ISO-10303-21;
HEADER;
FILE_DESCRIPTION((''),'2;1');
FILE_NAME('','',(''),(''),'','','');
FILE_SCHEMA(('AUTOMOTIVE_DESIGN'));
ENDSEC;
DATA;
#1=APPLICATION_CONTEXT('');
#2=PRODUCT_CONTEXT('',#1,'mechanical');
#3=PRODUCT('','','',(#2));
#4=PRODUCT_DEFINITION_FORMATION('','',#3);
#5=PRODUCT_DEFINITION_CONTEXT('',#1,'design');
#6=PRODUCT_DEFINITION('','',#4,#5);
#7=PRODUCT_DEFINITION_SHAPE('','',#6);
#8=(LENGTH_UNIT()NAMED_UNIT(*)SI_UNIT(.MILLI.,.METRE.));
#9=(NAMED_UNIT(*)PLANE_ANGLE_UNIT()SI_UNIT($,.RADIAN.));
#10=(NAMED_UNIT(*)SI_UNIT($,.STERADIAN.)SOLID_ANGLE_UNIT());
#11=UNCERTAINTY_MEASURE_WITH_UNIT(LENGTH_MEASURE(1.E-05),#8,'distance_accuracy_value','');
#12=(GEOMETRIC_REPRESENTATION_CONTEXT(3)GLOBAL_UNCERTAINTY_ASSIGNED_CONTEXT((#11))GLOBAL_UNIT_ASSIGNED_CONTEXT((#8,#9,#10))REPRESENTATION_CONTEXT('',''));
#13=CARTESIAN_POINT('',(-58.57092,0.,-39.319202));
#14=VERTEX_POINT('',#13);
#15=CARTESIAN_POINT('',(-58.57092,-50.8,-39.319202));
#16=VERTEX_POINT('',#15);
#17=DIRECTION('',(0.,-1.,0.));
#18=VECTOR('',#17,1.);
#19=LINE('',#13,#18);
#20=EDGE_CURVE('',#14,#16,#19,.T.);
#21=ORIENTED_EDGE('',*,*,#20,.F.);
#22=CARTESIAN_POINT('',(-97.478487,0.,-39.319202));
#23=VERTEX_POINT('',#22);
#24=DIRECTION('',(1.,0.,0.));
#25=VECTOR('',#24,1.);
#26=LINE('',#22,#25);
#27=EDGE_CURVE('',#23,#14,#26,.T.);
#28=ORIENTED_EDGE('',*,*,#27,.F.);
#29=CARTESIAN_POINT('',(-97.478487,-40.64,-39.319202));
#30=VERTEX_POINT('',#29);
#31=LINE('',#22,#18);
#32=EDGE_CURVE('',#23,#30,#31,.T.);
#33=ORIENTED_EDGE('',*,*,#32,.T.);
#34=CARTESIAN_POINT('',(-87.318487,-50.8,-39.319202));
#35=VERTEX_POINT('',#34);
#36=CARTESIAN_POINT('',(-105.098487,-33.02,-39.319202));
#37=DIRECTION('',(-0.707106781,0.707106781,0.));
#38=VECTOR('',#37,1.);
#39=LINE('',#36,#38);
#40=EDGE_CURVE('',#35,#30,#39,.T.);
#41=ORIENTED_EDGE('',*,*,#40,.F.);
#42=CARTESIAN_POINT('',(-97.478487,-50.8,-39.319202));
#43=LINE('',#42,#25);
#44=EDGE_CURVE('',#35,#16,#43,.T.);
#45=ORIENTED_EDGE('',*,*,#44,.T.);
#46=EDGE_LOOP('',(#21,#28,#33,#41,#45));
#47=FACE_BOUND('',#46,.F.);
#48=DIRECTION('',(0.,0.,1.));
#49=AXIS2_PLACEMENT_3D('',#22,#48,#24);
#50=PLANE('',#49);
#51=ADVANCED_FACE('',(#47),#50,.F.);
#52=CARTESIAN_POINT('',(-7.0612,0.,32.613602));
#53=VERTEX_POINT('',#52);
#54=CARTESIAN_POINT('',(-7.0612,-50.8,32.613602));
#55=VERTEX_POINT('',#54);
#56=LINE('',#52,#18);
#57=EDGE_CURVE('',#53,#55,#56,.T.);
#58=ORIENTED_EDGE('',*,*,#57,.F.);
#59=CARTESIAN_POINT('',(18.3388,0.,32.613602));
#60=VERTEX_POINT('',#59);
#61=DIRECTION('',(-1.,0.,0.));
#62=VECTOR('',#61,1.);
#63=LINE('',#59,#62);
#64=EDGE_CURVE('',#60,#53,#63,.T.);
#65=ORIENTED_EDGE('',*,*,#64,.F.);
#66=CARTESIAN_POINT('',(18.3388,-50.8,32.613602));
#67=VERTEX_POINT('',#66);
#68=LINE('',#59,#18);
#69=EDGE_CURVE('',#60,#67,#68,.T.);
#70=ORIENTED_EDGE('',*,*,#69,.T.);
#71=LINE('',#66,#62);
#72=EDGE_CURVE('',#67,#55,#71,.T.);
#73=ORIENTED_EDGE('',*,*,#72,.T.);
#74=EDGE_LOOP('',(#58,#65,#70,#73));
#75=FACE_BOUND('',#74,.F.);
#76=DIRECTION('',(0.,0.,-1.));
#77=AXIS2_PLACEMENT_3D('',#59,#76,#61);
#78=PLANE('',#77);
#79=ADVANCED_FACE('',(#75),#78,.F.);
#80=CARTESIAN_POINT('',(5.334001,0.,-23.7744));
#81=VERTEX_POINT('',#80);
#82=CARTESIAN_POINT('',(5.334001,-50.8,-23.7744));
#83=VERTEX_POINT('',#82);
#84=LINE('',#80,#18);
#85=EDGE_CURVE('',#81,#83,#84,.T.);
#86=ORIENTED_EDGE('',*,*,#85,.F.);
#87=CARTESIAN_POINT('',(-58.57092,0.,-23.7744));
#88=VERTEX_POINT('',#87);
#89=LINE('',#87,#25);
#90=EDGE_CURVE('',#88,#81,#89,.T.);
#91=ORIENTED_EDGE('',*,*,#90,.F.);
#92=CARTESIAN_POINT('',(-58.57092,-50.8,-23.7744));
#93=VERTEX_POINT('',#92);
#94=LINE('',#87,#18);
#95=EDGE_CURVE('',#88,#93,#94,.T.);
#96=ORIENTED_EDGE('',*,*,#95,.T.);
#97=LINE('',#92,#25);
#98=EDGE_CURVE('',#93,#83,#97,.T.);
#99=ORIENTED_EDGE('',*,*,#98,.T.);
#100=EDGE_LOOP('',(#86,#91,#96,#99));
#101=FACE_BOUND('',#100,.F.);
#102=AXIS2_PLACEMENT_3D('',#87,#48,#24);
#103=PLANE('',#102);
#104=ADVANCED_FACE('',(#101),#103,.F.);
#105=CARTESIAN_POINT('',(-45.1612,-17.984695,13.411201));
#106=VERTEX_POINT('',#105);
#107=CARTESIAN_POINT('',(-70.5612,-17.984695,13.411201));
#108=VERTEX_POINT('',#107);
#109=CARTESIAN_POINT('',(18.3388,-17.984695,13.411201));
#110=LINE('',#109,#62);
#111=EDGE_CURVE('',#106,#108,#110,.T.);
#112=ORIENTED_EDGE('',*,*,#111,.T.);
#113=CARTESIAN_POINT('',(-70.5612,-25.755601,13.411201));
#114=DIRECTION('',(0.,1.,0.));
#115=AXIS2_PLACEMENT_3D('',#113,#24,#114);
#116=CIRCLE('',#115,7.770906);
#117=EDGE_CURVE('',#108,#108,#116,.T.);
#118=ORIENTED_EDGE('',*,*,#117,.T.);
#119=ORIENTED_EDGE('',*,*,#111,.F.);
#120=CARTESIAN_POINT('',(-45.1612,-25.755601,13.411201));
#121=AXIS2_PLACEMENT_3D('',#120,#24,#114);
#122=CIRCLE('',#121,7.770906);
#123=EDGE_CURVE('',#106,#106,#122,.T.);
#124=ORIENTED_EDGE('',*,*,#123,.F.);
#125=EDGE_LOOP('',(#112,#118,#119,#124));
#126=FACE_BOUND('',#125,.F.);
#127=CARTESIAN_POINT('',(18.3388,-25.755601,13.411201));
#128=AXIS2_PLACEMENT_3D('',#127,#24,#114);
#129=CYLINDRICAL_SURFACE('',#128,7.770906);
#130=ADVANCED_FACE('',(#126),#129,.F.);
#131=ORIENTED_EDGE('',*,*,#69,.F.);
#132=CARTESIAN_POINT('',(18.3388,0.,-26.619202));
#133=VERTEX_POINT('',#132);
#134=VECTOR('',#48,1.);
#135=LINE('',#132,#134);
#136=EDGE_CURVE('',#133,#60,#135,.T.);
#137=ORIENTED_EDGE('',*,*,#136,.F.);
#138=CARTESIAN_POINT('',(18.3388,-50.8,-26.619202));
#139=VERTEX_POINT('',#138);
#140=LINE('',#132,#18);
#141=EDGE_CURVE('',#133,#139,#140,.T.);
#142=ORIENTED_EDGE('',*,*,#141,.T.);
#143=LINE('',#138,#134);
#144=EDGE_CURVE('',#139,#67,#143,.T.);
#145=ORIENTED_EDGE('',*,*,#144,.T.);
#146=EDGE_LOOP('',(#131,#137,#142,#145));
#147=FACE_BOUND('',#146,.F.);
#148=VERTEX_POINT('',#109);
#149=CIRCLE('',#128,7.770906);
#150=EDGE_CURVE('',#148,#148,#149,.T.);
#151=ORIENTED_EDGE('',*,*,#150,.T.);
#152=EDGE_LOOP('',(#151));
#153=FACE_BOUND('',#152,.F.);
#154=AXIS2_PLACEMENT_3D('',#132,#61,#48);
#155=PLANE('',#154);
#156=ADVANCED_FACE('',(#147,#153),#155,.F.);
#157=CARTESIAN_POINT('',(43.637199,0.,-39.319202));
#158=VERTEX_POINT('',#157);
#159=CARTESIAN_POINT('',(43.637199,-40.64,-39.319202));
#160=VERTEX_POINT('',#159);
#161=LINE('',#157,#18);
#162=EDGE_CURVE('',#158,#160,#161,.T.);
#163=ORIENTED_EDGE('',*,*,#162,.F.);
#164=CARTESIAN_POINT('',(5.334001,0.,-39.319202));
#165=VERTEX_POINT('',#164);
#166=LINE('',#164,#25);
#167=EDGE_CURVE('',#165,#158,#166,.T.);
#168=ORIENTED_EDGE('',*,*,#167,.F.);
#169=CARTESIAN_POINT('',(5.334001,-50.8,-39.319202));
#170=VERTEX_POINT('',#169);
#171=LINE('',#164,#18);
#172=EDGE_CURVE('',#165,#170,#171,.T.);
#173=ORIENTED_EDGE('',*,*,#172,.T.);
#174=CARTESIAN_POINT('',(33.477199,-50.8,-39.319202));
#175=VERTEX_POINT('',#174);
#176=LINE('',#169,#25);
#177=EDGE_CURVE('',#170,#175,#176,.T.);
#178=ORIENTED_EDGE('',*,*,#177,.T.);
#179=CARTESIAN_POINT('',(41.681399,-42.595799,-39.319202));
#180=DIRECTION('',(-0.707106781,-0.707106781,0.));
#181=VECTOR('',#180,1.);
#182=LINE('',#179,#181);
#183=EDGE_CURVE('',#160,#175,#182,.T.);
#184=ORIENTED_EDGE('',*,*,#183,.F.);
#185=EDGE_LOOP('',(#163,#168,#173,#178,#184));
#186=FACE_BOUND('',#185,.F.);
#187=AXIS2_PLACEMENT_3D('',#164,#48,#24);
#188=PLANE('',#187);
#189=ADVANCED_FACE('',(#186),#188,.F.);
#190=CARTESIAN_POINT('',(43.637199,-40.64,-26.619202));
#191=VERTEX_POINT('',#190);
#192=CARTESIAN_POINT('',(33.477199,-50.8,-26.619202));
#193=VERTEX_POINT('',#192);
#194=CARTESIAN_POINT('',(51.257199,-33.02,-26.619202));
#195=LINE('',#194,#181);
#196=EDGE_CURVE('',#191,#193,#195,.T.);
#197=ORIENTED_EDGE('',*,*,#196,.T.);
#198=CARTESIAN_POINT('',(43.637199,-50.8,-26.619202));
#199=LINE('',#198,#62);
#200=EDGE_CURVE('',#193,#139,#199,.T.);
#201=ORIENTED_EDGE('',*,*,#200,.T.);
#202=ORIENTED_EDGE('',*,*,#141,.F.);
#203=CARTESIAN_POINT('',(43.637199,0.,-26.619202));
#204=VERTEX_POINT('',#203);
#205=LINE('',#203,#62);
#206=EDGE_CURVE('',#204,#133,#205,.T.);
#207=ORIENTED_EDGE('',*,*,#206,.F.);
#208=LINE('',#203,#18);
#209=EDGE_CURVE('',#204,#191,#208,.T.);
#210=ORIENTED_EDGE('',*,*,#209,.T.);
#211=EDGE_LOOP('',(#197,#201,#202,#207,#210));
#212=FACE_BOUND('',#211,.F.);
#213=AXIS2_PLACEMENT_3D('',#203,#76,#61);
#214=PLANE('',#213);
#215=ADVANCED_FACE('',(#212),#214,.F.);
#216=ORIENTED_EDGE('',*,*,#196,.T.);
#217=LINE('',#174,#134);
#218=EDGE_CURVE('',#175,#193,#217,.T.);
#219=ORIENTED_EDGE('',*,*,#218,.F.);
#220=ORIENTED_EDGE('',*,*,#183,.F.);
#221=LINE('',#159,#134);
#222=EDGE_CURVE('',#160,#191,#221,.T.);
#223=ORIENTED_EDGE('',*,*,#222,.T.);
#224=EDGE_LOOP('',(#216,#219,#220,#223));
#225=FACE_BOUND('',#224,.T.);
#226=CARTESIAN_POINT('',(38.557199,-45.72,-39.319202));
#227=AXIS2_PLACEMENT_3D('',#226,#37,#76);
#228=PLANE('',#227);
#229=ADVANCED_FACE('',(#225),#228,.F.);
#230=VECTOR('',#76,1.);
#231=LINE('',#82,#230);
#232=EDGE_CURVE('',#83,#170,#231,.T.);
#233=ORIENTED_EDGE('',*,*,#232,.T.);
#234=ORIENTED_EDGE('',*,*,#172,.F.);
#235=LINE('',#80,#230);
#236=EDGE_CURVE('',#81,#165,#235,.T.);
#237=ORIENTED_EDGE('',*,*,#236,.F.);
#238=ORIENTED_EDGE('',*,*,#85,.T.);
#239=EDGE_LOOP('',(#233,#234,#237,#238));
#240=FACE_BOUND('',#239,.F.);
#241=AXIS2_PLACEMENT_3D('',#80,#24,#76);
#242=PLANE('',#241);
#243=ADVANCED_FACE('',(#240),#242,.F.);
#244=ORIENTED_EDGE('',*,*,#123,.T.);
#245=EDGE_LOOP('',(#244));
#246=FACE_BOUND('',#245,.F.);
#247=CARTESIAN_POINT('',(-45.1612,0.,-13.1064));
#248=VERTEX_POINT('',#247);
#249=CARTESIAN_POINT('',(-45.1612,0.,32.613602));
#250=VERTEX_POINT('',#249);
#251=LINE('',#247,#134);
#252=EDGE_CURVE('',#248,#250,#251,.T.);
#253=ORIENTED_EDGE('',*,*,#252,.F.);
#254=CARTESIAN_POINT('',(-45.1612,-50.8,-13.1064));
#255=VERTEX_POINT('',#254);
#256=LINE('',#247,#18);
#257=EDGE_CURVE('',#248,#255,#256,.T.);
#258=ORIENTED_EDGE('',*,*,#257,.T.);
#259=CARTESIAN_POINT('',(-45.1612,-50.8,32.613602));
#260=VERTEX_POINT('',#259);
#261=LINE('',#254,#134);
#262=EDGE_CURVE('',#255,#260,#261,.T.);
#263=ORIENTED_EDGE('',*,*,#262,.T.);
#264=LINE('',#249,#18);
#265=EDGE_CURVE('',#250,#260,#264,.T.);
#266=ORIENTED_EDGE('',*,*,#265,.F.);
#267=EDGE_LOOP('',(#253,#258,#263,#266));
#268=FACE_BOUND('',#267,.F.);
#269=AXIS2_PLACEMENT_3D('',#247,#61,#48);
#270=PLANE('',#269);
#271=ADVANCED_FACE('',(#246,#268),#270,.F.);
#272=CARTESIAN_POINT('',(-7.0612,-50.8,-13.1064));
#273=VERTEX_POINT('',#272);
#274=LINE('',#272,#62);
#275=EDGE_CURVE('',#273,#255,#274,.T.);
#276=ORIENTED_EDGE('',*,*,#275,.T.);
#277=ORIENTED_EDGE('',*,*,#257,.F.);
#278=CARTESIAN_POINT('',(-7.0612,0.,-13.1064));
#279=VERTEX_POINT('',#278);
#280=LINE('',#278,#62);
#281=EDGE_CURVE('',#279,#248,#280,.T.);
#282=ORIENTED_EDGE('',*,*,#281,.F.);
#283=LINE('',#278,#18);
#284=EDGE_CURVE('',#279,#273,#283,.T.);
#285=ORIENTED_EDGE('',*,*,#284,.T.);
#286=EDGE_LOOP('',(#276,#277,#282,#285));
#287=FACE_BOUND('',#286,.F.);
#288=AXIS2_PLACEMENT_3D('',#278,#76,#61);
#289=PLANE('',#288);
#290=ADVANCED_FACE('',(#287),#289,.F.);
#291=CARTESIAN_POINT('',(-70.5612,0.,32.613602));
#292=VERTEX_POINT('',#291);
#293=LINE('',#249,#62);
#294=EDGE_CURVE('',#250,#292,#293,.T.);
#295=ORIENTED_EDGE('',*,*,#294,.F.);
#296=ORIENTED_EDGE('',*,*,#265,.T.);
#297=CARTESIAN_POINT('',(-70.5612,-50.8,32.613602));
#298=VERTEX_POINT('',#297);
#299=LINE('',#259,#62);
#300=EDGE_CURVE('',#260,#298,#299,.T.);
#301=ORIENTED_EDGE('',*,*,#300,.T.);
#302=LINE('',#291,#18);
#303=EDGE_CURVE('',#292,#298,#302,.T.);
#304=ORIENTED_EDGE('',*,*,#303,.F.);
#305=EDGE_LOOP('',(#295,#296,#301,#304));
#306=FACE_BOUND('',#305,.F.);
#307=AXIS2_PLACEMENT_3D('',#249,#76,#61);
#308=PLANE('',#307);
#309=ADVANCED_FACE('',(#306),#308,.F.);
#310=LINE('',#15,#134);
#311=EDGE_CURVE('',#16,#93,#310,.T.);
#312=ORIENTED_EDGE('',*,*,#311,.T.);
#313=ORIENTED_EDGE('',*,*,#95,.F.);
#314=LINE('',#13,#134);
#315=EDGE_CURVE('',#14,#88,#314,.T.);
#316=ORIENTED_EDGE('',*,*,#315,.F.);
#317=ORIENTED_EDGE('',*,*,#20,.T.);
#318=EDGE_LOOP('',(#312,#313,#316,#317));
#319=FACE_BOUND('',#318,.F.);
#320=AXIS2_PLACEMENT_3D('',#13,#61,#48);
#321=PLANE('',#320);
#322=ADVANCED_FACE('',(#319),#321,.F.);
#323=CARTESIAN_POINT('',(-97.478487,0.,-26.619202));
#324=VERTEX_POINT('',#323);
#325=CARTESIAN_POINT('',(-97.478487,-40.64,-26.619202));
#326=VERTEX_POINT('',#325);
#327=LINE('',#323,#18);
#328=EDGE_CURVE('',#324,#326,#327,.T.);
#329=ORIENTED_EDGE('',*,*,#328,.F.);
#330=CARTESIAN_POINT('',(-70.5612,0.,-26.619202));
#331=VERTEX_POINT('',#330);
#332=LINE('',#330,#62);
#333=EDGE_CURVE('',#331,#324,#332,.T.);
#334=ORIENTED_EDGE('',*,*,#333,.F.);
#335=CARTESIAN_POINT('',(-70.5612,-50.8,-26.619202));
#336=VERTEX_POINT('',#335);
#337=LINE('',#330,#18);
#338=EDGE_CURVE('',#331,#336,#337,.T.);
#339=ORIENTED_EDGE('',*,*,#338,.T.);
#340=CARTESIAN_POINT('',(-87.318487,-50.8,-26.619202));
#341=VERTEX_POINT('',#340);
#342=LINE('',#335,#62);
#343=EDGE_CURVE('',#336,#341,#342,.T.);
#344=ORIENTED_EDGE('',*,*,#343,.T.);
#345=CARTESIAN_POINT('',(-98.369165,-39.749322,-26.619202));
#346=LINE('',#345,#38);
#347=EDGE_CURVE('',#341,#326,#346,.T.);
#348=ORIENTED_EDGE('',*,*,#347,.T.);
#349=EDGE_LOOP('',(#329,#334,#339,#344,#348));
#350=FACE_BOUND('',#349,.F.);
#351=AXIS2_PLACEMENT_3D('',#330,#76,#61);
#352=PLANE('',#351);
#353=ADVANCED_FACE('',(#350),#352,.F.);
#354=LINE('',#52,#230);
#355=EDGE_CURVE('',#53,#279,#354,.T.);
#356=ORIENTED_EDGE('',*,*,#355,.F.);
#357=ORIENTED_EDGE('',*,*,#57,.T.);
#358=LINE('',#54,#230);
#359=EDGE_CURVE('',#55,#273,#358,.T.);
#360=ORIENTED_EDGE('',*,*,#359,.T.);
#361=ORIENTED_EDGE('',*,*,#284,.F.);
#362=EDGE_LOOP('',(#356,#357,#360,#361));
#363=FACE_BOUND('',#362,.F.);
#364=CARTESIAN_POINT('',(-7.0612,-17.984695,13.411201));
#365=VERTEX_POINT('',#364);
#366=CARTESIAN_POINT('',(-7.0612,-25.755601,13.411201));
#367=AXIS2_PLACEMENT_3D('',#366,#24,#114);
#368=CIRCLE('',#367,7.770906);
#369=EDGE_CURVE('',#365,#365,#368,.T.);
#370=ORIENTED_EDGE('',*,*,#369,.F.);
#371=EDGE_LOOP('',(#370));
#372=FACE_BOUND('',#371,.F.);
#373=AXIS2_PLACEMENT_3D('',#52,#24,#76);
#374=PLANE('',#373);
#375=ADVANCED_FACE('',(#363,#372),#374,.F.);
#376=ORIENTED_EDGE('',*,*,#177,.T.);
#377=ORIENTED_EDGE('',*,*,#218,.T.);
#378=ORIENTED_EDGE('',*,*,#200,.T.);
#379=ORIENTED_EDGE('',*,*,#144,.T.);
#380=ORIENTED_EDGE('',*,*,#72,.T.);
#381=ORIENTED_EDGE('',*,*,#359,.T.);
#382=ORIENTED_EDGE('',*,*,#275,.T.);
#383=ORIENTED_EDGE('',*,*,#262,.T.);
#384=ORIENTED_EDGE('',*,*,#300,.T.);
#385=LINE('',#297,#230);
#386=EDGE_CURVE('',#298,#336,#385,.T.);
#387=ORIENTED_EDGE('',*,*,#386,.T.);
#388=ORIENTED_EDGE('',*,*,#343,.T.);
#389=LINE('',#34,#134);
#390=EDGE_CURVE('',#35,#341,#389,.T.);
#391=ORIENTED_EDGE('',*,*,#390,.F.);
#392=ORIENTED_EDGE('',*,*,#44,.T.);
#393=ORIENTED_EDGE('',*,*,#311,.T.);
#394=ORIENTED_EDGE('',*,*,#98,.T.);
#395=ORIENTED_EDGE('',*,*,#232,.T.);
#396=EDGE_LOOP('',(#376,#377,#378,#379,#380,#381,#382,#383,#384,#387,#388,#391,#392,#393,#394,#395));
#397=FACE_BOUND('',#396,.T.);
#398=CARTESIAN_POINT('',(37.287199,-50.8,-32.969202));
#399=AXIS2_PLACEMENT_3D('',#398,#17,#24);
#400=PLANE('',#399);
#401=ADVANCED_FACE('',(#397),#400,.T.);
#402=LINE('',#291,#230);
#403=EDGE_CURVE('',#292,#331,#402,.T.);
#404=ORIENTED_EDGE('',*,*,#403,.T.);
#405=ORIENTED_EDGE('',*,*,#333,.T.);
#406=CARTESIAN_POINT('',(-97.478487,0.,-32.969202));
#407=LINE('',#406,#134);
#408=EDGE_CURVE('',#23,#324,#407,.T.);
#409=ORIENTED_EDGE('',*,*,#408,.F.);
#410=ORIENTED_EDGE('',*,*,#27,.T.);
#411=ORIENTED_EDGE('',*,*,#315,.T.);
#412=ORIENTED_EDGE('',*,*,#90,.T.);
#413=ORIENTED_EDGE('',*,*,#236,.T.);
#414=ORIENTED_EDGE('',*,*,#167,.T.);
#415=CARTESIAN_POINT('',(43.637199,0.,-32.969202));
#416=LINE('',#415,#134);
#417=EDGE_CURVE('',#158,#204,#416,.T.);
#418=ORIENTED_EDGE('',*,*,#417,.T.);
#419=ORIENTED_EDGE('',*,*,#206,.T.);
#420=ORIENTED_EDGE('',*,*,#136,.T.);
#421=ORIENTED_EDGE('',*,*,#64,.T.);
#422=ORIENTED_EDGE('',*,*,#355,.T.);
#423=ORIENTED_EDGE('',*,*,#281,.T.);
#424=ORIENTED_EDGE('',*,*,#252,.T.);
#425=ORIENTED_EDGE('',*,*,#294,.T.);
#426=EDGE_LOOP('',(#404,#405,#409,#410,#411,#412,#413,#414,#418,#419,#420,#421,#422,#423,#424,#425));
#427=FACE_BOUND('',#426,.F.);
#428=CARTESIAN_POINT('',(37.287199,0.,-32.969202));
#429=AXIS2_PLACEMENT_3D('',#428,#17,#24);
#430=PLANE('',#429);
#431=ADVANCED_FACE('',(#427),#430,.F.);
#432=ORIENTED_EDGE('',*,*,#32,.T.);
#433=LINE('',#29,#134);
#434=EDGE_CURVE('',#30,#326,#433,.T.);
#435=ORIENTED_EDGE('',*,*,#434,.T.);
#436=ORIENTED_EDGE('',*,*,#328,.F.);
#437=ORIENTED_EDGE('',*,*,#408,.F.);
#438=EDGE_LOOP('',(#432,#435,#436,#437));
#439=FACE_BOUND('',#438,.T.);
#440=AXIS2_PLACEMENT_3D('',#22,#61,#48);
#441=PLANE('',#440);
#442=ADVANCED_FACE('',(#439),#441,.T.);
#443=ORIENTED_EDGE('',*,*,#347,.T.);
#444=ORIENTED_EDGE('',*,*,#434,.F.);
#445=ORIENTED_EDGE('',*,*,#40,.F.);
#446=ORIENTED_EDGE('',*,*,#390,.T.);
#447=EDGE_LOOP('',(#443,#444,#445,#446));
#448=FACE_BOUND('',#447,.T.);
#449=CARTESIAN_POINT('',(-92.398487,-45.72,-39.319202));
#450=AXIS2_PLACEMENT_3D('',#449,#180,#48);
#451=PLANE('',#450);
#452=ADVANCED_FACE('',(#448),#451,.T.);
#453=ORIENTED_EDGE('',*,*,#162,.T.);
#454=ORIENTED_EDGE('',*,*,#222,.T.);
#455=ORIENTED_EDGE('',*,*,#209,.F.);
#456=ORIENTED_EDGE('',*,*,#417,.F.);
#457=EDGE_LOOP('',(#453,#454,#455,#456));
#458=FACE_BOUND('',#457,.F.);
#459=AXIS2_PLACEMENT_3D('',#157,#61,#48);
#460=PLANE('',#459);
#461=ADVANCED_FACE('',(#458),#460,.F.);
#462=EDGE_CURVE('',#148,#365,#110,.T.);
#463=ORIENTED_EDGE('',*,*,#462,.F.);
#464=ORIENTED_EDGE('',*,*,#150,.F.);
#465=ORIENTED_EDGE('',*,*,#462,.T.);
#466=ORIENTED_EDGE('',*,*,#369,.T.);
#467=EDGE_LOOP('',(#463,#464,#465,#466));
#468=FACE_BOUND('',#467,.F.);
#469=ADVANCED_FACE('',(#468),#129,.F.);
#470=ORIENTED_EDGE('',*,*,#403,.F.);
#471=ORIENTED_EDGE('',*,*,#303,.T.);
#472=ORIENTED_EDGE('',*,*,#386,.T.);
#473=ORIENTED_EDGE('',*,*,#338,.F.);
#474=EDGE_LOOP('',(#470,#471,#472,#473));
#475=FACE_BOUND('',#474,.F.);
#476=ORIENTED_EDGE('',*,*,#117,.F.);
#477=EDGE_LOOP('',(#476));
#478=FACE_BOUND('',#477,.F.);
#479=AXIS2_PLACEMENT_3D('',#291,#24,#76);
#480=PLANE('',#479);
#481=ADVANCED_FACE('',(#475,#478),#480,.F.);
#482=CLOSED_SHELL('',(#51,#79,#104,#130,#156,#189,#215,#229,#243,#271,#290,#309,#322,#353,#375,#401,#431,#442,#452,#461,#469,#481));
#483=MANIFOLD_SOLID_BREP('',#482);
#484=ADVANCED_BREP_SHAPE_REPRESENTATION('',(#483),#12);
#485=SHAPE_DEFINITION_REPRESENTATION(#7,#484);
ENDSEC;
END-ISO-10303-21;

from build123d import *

# Parameters (mm, degrees)
F0_W     = 12.7
F0_H     = 12.7
F1_DEPTH = 50.8
F2_SIZE  = 10.16
F3_SIZE  = 10.16
F4_R     = 7.770906
F5_DEPTH = 99.568


with BuildPart() as f1:
    # F0 (on Front) → F1 (new body)
    with BuildSketch(Plane.XZ):
        with Locations((37.287199, -32.969202)):
            Rectangle(F0_W, F0_H)
        with Locations((-91.128487, -32.969202)):
            Rectangle(F0_W, F0_H)
        Polygon((-84.778487, -26.619202), (-84.778487, -39.319202), (-58.57092, -39.319202), (-58.57092, -23.7744), (5.334001, -23.7744), (5.334001, -39.319202), (30.937199, -39.319202), (30.937199, -26.619202), (18.3388, -26.619202), (18.3388, 32.613602), (-7.0612, 32.613602), (-7.0612, -13.1064), (-45.1612, -13.1064), (-45.1612, 32.613602), (-70.5612, 32.613602), (-70.5612, -26.619202), align=None)
    extrude(amount=F1_DEPTH)

    # F2
    f2_edges = [f1.edges().sort_by_distance(p)[0] for p in [
        (43.637199, -50.8, -32.969202),
    ]]
    chamfer(f2_edges, length=F2_SIZE)

    # F3
    f3_edges = [f1.edges().sort_by_distance(p)[0] for p in [
        (-97.478487, -50.8, -32.969202),
    ]]
    chamfer(f3_edges, length=F3_SIZE)

    # F4 (on face) → F5 (cut)
    with BuildSketch(Plane.YZ.offset(18.3388)):
        with Locations((-25.755601, 13.411201)):
            Circle(F4_R)
    extrude(amount=-F5_DEPTH, mode=Mode.SUBTRACT)


solid = f1.part
